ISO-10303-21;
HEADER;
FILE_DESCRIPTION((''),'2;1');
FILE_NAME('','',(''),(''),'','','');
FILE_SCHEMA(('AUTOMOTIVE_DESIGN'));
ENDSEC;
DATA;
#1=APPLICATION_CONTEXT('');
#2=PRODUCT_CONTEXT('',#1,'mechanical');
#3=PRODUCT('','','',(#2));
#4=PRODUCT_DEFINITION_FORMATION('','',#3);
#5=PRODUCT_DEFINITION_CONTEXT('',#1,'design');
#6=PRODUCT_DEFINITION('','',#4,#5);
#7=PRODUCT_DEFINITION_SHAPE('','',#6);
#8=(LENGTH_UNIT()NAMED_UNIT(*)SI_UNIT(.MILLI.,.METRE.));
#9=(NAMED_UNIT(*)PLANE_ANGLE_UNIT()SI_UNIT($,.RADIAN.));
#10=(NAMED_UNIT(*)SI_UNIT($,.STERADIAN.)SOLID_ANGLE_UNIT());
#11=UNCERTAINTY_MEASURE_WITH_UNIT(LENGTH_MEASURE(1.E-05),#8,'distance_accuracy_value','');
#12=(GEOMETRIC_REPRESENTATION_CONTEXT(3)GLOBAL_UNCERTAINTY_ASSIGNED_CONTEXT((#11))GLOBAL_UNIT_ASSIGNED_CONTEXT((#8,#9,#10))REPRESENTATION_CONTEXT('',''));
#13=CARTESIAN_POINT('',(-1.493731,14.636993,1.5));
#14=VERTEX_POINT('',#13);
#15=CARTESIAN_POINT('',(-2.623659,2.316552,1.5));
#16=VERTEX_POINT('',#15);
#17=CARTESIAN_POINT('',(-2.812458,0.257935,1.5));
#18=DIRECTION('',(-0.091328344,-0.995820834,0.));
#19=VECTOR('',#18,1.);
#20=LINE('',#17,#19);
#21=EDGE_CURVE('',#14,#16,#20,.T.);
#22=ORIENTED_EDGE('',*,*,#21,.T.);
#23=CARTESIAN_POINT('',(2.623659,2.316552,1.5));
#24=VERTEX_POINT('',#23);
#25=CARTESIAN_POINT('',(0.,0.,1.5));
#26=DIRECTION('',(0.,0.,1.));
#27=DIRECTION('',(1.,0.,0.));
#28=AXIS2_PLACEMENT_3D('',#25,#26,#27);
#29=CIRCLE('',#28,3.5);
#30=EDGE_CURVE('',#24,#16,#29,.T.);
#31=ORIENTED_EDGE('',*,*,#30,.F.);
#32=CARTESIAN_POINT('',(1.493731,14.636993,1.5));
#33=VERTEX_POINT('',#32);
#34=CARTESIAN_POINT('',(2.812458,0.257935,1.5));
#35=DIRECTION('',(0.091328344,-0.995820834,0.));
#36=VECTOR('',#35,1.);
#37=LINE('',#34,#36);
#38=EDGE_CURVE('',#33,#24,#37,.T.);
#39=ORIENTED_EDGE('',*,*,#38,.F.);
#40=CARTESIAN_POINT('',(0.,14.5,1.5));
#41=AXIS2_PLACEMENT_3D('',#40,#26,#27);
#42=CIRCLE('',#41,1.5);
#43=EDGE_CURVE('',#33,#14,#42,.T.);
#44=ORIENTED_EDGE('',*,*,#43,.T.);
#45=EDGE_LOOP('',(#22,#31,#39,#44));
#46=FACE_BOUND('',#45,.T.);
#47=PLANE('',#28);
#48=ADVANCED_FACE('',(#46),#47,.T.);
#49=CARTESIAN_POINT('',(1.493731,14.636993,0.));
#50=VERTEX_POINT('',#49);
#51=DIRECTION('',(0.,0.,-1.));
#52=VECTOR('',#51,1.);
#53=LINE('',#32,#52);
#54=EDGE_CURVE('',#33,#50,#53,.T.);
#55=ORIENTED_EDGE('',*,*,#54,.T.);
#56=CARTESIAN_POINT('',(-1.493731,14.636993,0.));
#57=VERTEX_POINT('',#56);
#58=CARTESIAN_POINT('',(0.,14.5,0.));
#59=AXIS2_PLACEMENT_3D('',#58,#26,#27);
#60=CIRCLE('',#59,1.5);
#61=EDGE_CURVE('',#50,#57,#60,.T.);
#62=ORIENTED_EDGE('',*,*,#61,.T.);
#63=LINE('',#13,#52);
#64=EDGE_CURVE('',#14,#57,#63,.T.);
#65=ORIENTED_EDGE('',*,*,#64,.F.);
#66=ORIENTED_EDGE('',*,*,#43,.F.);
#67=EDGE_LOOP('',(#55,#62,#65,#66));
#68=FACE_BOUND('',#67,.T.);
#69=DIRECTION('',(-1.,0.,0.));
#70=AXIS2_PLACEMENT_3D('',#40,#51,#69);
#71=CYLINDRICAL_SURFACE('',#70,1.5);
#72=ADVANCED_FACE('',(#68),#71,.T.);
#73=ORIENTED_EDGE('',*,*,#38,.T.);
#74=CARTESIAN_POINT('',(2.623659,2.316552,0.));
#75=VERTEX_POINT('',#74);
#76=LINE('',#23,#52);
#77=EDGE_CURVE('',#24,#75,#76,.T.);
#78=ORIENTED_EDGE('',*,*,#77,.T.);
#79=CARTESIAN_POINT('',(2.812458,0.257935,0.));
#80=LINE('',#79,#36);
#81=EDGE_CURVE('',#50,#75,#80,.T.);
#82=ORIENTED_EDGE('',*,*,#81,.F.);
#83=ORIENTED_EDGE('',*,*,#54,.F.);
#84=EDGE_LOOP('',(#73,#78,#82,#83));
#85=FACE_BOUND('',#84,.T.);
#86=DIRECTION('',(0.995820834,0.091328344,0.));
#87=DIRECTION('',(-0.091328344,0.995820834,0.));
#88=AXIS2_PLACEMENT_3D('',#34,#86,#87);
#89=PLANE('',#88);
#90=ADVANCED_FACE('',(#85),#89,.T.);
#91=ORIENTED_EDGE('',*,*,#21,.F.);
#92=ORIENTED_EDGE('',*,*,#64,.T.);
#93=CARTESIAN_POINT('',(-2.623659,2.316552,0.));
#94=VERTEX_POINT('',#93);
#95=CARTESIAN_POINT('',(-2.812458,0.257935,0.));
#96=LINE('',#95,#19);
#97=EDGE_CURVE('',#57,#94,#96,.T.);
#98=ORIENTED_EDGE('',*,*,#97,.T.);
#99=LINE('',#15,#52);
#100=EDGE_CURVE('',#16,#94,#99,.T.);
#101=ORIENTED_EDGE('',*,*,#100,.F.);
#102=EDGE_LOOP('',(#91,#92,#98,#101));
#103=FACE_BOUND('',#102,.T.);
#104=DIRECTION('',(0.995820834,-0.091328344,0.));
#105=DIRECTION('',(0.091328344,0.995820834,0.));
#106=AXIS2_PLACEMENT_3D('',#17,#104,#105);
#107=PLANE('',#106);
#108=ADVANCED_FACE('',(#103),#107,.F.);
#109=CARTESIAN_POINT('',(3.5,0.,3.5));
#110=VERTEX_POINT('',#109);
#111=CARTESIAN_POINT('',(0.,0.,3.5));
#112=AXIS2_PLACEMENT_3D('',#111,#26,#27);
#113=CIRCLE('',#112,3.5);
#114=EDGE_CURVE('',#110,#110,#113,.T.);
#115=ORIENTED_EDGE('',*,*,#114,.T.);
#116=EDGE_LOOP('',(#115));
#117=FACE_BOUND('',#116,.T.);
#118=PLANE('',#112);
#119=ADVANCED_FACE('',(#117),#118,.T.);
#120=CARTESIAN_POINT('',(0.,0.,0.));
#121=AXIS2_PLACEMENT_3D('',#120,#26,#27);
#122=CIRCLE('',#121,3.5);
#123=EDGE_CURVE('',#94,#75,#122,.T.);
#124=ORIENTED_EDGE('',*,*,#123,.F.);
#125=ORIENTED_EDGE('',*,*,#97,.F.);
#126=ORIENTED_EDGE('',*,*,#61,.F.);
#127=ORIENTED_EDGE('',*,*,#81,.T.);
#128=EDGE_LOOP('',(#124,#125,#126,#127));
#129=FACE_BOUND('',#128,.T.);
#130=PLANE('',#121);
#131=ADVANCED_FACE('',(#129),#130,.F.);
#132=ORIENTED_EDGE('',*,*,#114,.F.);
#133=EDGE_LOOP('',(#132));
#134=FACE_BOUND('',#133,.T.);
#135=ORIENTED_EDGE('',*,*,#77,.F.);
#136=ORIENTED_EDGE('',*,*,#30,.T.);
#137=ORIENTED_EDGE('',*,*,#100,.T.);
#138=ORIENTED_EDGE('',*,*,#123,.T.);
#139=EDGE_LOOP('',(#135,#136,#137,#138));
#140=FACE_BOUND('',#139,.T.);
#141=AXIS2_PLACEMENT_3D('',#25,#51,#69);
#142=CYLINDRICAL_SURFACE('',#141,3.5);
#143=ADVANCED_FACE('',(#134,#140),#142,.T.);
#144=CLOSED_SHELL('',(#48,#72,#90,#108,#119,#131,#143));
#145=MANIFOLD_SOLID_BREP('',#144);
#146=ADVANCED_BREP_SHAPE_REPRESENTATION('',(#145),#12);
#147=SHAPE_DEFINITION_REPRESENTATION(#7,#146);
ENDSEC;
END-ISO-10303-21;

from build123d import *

# Parameters (mm, degrees)
BOSS_EXTRUDE1_DEPTH = 1.5
SKETCH2_R           = 3.5
BOSS_EXTRUDE2_DEPTH = 2


with BuildPart() as part:
    # Sketch1 → Boss-Extrude1 (new body)
    with BuildSketch(Plane.XY):
        with BuildLine():
            Line((2.623658817, 2.316552269), (1.493731251, 14.636992517))
            ThreePointArc((1.493731251, 14.636992517), (0, 16), (-1.493731251, 14.636992517))
            Line((-1.493731251, 14.636992517), (-2.623658817, 2.316552269))
            ThreePointArc((-2.623658817, 2.316552269), (0, -3.5), (2.623658817, 2.316552269))
        make_face()
    extrude(amount=BOSS_EXTRUDE1_DEPTH)

    # Sketch2 → Boss-Extrude2 (add)
    with BuildSketch(Plane.XY.offset(1.5)):
        Circle(SKETCH2_R)
    extrude(amount=BOSS_EXTRUDE2_DEPTH)


solid = part.part
